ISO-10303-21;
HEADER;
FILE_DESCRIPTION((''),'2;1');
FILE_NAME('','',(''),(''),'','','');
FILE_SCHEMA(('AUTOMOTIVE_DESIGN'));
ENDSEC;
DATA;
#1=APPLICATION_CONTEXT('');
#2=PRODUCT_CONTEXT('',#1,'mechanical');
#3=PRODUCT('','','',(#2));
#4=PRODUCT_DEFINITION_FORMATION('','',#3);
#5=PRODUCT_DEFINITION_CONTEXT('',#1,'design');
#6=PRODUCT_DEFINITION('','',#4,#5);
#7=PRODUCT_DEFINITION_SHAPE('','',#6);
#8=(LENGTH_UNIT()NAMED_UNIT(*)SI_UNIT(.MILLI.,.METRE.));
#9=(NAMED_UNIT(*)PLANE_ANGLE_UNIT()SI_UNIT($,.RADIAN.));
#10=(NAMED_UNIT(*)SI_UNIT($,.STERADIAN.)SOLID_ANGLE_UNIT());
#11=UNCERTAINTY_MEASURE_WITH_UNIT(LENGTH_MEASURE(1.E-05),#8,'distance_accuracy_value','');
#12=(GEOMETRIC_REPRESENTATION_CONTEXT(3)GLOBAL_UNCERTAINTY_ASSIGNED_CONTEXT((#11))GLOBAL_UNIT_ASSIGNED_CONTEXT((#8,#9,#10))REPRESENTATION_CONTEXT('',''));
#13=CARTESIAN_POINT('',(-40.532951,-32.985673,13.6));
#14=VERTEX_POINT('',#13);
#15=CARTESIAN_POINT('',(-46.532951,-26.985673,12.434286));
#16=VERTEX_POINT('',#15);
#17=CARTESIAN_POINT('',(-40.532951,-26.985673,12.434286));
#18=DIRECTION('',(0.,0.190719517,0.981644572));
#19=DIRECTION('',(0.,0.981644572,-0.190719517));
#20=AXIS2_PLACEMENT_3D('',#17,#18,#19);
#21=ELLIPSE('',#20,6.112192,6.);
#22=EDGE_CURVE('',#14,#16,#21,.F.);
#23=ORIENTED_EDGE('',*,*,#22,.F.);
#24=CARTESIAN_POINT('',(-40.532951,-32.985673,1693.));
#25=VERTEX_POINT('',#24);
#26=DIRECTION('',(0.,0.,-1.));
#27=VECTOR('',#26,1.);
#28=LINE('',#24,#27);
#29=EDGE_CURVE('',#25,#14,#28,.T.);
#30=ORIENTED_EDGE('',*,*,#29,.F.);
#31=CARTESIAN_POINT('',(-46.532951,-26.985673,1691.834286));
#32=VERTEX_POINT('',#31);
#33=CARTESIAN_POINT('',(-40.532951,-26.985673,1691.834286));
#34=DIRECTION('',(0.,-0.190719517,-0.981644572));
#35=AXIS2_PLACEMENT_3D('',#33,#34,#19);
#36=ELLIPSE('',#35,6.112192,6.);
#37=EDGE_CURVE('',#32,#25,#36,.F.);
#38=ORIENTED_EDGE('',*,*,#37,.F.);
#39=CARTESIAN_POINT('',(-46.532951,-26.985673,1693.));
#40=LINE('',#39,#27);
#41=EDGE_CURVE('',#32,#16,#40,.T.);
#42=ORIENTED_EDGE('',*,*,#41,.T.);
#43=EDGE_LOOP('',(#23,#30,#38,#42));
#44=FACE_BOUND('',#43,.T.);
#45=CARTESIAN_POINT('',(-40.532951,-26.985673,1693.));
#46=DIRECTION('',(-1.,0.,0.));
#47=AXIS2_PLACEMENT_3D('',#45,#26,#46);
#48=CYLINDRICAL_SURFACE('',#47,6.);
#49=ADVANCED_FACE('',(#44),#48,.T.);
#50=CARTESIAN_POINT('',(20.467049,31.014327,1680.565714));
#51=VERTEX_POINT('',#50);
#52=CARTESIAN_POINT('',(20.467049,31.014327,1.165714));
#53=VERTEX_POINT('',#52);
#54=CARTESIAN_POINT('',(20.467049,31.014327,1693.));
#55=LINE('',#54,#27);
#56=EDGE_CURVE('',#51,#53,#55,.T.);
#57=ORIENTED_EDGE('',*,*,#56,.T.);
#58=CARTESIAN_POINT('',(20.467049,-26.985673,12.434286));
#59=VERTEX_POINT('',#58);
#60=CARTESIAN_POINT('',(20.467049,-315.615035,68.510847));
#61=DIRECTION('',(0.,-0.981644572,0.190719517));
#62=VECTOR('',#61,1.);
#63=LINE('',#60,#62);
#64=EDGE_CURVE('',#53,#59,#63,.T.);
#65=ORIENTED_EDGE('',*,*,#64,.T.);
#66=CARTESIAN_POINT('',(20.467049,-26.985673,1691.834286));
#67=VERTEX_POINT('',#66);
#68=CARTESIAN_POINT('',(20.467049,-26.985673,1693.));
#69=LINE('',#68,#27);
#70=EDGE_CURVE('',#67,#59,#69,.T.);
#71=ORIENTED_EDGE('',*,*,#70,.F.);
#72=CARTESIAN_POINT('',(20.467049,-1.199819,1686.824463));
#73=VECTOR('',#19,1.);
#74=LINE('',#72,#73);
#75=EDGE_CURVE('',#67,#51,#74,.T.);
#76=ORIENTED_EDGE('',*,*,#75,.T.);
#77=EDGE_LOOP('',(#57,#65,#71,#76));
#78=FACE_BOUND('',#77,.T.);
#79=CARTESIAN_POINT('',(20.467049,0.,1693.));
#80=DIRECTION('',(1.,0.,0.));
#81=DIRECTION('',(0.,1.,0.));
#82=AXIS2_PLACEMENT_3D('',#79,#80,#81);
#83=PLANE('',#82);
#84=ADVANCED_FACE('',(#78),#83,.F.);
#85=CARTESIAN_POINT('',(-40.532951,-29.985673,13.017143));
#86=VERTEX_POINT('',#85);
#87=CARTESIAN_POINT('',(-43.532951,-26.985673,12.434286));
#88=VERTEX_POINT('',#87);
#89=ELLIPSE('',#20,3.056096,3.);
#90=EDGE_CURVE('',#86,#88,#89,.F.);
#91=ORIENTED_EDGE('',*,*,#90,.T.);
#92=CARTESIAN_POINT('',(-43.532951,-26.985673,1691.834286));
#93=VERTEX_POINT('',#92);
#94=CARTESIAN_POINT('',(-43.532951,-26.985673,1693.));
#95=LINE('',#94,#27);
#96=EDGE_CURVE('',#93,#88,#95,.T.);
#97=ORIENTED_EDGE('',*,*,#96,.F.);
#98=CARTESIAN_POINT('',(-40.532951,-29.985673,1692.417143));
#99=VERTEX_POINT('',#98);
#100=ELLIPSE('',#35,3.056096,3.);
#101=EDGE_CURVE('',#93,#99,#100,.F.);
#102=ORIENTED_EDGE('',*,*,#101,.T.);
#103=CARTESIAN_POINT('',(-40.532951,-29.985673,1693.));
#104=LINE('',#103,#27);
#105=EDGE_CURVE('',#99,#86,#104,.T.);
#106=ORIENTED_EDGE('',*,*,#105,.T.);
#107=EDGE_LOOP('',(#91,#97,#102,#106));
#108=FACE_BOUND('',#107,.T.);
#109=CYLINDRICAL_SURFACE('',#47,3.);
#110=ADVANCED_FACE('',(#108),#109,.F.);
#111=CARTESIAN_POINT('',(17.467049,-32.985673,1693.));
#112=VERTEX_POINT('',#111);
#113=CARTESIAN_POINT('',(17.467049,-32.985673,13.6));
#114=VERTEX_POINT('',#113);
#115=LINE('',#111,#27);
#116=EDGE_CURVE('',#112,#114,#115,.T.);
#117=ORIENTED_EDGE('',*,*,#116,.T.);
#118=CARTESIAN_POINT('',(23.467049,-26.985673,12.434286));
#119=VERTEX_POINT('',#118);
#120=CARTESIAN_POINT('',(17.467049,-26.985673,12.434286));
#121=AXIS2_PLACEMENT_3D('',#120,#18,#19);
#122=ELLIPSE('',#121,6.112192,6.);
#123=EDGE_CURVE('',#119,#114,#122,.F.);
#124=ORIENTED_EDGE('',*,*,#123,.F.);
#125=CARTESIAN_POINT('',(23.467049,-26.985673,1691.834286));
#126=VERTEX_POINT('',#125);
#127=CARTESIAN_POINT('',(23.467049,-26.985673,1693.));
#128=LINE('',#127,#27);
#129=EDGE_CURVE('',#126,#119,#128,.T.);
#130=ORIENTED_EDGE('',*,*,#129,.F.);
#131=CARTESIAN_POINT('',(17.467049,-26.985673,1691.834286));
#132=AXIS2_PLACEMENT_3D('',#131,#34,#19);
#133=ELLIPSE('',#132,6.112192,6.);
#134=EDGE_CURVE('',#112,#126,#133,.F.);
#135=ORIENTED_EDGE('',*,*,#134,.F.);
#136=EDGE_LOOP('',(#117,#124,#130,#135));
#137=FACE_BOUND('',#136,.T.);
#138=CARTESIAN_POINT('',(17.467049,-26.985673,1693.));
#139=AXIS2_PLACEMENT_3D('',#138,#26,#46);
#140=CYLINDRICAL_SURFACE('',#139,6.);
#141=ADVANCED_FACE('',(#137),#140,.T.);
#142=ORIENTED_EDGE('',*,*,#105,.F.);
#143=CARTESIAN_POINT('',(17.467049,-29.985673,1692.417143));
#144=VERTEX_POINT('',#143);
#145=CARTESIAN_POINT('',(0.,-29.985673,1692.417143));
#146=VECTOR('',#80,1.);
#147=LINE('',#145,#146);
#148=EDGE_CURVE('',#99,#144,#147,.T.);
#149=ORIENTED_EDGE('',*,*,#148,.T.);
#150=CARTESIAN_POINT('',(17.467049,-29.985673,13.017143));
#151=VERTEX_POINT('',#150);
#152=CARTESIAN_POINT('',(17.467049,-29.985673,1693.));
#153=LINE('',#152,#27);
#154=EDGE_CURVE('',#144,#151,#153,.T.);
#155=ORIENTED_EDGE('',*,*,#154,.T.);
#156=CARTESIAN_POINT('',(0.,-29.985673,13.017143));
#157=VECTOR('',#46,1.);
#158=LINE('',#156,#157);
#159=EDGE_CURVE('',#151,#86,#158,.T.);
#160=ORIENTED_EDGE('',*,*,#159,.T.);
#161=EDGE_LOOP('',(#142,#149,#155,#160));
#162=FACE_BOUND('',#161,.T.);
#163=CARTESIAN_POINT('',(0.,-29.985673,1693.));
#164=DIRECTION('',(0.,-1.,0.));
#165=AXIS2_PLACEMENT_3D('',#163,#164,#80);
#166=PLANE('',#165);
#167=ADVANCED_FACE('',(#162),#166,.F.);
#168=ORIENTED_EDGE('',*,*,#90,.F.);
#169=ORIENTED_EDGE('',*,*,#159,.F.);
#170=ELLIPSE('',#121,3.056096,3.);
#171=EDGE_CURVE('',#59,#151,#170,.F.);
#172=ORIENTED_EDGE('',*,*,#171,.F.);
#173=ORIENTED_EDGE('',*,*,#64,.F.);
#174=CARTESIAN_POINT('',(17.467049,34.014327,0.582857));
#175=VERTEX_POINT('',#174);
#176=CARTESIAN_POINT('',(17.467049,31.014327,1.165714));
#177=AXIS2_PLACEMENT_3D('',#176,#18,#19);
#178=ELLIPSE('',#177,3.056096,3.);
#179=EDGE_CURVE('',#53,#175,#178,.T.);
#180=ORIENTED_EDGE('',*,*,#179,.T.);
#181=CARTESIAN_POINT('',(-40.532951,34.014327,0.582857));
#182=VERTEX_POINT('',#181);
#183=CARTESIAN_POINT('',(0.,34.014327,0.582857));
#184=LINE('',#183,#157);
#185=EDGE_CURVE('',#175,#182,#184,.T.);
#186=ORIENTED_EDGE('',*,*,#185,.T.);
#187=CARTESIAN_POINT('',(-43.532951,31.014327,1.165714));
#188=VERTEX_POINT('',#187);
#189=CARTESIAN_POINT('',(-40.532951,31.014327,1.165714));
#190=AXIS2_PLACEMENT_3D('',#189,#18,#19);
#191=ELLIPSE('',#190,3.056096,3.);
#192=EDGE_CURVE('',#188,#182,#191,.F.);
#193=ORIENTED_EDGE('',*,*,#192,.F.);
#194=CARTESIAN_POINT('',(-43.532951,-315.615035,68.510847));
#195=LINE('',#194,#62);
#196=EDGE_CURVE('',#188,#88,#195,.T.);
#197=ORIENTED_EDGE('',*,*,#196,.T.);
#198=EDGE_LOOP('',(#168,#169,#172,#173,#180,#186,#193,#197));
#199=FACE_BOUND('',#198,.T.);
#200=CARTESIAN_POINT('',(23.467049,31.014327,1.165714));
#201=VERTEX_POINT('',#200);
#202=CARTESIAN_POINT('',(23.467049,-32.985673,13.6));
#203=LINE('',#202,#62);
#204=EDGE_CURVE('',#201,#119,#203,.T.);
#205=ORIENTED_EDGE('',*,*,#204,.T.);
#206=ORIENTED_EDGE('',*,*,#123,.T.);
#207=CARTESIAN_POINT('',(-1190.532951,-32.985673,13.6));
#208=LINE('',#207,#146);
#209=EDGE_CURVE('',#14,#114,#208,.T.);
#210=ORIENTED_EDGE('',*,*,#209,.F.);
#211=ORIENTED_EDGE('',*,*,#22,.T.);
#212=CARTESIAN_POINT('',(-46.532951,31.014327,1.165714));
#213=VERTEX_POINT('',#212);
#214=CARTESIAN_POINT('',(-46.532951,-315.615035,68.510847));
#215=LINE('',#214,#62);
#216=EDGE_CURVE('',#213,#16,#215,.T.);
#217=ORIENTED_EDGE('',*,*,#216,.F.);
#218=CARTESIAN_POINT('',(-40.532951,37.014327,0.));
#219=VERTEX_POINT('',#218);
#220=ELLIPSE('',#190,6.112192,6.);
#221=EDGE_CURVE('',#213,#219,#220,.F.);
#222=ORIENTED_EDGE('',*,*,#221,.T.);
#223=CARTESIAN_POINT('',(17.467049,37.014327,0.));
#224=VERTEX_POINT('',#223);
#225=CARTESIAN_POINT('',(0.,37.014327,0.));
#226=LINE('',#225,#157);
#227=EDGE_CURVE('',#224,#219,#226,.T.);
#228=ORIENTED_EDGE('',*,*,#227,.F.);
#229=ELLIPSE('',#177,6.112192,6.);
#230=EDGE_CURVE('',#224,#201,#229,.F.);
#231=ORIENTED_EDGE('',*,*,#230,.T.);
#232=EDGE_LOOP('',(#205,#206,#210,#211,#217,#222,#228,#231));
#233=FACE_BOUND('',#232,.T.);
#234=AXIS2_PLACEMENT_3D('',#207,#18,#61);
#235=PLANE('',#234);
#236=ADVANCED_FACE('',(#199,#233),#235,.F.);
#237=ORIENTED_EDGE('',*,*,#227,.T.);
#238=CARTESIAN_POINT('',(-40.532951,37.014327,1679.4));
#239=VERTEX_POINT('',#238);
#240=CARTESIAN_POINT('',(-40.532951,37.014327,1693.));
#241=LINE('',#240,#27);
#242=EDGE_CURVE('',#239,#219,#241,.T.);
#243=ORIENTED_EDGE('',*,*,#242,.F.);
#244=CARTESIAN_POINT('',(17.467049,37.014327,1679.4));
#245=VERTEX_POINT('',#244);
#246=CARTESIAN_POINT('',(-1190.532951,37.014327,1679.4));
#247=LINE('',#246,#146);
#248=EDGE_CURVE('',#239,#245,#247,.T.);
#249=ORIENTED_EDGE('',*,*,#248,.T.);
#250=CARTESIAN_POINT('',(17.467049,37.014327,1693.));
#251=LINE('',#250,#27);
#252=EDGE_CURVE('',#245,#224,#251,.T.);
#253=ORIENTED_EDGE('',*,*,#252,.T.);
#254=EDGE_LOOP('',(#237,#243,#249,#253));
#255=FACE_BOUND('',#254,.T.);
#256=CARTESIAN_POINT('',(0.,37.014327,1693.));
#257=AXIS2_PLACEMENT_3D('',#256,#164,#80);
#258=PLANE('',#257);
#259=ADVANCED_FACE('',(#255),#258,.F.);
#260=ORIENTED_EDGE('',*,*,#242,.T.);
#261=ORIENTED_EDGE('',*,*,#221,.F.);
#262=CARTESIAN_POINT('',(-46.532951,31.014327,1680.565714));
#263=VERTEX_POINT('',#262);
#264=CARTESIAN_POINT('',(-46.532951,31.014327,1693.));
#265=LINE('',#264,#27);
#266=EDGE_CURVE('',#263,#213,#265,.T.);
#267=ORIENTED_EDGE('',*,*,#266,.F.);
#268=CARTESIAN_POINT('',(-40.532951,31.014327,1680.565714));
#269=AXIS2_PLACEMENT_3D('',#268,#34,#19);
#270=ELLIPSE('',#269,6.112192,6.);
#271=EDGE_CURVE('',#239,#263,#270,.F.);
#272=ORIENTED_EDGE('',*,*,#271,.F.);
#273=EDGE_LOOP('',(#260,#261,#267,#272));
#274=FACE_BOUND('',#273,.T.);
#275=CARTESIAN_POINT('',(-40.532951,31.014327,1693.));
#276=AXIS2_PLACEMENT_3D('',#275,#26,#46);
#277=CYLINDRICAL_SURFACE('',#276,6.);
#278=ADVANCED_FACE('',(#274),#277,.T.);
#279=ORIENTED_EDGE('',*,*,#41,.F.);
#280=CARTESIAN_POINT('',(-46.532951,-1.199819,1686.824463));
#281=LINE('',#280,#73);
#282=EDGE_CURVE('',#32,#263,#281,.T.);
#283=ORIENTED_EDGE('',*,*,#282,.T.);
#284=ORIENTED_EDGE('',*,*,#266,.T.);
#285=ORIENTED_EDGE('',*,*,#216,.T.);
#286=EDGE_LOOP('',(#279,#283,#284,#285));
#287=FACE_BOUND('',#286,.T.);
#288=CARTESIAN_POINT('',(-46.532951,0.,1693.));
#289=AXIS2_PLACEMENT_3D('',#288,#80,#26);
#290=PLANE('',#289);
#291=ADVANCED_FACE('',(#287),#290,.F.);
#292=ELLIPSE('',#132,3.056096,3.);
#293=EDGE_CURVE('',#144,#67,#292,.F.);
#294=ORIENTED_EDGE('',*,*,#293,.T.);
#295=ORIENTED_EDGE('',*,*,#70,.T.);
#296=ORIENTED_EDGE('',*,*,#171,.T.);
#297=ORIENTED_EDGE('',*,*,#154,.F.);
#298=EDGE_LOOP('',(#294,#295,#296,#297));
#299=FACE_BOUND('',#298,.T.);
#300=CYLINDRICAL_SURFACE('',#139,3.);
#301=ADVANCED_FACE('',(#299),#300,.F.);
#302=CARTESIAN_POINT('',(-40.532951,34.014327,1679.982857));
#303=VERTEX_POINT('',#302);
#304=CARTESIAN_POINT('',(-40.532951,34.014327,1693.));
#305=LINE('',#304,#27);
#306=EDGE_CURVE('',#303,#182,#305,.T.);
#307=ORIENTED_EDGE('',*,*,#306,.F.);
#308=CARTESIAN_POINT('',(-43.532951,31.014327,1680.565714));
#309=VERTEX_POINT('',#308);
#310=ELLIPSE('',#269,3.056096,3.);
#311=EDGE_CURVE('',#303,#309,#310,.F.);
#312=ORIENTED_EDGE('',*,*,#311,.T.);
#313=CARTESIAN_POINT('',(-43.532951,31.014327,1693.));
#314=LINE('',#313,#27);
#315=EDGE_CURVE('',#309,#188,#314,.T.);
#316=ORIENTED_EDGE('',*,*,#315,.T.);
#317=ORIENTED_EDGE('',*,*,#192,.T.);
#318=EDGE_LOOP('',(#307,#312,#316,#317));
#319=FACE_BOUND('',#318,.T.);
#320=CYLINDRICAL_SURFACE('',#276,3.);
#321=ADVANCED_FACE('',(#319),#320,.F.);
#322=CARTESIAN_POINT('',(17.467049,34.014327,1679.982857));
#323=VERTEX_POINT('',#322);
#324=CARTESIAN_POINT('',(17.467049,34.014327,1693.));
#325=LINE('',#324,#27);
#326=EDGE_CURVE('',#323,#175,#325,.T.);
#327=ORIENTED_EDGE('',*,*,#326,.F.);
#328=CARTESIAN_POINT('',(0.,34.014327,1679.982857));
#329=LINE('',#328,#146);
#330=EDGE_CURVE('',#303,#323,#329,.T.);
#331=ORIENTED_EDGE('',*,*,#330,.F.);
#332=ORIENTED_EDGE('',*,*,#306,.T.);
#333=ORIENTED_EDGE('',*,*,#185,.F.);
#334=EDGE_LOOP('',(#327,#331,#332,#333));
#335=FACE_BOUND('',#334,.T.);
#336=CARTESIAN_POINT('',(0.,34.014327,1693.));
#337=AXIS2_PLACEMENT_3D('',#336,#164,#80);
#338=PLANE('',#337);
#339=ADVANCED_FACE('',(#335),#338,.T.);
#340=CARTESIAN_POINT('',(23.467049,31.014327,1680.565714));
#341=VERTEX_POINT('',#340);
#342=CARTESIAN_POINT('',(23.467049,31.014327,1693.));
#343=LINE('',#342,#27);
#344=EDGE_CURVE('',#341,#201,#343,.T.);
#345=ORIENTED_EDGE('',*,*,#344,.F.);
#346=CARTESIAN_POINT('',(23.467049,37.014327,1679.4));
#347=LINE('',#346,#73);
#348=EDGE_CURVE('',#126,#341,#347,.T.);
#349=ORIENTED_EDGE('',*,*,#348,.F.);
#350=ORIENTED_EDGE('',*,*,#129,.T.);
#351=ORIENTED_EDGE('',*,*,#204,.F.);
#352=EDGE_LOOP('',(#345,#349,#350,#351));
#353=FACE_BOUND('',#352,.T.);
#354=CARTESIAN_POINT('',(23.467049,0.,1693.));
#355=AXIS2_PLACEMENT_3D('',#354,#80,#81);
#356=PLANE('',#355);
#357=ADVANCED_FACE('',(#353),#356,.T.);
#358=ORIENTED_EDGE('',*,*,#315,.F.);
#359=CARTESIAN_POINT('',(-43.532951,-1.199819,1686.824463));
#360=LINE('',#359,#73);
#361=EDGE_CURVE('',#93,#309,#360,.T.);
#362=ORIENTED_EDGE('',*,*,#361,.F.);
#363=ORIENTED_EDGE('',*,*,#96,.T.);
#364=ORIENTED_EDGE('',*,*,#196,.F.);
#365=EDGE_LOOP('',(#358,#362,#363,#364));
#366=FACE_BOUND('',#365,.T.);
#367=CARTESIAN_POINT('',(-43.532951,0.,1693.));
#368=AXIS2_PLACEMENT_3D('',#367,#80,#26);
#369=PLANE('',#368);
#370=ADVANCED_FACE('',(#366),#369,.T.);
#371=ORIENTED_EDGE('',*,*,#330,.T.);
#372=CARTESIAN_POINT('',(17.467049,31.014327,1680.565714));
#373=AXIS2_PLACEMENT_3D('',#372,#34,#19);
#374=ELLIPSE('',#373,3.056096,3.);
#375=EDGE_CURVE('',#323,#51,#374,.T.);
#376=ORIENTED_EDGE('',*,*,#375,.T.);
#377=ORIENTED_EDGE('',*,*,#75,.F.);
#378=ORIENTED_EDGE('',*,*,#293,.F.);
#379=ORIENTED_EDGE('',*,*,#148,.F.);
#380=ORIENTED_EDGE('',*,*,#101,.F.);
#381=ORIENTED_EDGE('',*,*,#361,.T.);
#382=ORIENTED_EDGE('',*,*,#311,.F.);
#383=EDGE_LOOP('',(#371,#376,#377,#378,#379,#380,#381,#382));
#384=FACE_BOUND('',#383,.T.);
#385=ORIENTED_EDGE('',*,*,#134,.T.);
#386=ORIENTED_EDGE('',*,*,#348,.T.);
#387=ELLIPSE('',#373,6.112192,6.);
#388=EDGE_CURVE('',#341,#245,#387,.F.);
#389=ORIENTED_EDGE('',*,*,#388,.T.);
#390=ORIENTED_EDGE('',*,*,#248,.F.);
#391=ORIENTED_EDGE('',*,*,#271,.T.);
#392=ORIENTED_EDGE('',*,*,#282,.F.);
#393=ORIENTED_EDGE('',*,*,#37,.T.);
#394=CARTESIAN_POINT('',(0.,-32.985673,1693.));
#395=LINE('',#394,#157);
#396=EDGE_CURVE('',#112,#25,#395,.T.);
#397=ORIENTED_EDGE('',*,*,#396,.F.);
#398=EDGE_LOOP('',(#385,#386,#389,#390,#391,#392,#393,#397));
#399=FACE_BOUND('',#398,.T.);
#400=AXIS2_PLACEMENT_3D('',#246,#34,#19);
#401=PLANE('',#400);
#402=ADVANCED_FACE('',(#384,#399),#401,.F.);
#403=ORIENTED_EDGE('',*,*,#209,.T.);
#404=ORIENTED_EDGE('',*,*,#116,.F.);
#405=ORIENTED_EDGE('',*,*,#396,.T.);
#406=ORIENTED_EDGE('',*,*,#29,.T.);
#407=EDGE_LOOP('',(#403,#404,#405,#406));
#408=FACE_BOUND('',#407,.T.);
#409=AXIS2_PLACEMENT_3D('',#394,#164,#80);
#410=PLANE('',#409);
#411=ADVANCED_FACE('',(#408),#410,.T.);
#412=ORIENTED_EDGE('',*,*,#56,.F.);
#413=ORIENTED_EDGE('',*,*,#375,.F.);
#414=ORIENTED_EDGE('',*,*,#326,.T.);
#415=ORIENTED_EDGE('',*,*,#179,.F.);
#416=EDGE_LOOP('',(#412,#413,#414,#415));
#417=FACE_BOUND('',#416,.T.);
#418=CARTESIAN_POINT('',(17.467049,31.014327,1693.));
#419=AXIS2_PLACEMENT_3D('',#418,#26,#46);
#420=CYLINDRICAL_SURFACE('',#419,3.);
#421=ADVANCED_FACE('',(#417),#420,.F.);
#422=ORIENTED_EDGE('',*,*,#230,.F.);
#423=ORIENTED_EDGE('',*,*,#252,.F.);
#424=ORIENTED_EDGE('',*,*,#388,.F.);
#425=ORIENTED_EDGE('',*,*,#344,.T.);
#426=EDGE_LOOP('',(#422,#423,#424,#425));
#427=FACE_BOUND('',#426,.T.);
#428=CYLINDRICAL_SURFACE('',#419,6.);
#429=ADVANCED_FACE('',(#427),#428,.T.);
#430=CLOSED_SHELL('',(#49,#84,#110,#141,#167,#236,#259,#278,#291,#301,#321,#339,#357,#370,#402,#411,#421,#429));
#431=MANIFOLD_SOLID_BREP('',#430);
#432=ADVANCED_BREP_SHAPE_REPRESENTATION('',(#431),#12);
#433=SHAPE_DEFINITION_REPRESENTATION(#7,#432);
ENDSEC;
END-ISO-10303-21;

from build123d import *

# Parameters (mm, degrees)
BOSS_EXTRUDE1_DEPTH = 1693
CUT_EXTRUDE1_DEPTH  = 1214


with BuildPart() as part:
    # Sketch1 → Boss-Extrude1 (new body)
    with BuildSketch(Plane.XY):
        with BuildLine():
            Line((17.467048711, 37.014326648), (-40.532951289, 37.014326648))
            ThreePointArc((-40.532951289, 37.014326648), (-44.775591977, 35.256967335), (-46.532951289, 31.014326648))
            Line((-46.532951289, 31.014326648), (-46.532951289, -26.985673352))
            ThreePointArc((-46.532951289, -26.985673352), (-44.775591977, -31.22831404), (-40.532951289, -32.985673352))
            Line((-40.532951289, -32.985673352), (17.467048711, -32.985673352))
            ThreePointArc((17.467048711, -32.985673352), (21.709689398, -31.22831404), (23.467048711, -26.985673352))
            Line((23.467048711, -26.985673352), (23.467048711, 31.014326648))
            ThreePointArc((23.467048711, 31.014326648), (21.709689398, 35.256967335), (17.467048711, 37.014326648))
        make_face()
        with BuildLine():
            Line((17.467048711, 34.014326648), (-40.532951289, 34.014326648))
            ThreePointArc((-40.532951289, 34.014326648), (-42.654271633, 33.135646991), (-43.532951289, 31.014326648))
            Line((-43.532951289, 31.014326648), (-43.532951289, -26.985673352))
            ThreePointArc((-43.532951289, -26.985673352), (-42.654271633, -29.106993696), (-40.532951289, -29.985673352))
            Line((-40.532951289, -29.985673352), (17.467048711, -29.985673352))
            ThreePointArc((17.467048711, -29.985673352), (19.588369054, -29.106993696), (20.467048711, -26.985673352))
            Line((20.467048711, -26.985673352), (20.467048711, 31.014326648))
            ThreePointArc((20.467048711, 31.014326648), (19.588369054, 33.135646991), (17.467048711, 34.014326648))
        make_face(mode=Mode.SUBTRACT)
    extrude(amount=BOSS_EXTRUDE1_DEPTH)

    # Sketch2 → Cut-Extrude1 (cut)
    with BuildSketch(Plane(origin=(23.467048711, 0, 0), x_dir=(0, 0, -1), z_dir=(1, 0, 0))):
        Polygon((0, -32.985673352), (-13.6, -32.985673352), (0, 37.014326648), align=None)
        Polygon((-1679.4, 37.014326648), (-1693, 37.014326648), (-1693, -32.985673352), align=None)
    extrude(amount=-CUT_EXTRUDE1_DEPTH, mode=Mode.SUBTRACT)


solid = part.part
